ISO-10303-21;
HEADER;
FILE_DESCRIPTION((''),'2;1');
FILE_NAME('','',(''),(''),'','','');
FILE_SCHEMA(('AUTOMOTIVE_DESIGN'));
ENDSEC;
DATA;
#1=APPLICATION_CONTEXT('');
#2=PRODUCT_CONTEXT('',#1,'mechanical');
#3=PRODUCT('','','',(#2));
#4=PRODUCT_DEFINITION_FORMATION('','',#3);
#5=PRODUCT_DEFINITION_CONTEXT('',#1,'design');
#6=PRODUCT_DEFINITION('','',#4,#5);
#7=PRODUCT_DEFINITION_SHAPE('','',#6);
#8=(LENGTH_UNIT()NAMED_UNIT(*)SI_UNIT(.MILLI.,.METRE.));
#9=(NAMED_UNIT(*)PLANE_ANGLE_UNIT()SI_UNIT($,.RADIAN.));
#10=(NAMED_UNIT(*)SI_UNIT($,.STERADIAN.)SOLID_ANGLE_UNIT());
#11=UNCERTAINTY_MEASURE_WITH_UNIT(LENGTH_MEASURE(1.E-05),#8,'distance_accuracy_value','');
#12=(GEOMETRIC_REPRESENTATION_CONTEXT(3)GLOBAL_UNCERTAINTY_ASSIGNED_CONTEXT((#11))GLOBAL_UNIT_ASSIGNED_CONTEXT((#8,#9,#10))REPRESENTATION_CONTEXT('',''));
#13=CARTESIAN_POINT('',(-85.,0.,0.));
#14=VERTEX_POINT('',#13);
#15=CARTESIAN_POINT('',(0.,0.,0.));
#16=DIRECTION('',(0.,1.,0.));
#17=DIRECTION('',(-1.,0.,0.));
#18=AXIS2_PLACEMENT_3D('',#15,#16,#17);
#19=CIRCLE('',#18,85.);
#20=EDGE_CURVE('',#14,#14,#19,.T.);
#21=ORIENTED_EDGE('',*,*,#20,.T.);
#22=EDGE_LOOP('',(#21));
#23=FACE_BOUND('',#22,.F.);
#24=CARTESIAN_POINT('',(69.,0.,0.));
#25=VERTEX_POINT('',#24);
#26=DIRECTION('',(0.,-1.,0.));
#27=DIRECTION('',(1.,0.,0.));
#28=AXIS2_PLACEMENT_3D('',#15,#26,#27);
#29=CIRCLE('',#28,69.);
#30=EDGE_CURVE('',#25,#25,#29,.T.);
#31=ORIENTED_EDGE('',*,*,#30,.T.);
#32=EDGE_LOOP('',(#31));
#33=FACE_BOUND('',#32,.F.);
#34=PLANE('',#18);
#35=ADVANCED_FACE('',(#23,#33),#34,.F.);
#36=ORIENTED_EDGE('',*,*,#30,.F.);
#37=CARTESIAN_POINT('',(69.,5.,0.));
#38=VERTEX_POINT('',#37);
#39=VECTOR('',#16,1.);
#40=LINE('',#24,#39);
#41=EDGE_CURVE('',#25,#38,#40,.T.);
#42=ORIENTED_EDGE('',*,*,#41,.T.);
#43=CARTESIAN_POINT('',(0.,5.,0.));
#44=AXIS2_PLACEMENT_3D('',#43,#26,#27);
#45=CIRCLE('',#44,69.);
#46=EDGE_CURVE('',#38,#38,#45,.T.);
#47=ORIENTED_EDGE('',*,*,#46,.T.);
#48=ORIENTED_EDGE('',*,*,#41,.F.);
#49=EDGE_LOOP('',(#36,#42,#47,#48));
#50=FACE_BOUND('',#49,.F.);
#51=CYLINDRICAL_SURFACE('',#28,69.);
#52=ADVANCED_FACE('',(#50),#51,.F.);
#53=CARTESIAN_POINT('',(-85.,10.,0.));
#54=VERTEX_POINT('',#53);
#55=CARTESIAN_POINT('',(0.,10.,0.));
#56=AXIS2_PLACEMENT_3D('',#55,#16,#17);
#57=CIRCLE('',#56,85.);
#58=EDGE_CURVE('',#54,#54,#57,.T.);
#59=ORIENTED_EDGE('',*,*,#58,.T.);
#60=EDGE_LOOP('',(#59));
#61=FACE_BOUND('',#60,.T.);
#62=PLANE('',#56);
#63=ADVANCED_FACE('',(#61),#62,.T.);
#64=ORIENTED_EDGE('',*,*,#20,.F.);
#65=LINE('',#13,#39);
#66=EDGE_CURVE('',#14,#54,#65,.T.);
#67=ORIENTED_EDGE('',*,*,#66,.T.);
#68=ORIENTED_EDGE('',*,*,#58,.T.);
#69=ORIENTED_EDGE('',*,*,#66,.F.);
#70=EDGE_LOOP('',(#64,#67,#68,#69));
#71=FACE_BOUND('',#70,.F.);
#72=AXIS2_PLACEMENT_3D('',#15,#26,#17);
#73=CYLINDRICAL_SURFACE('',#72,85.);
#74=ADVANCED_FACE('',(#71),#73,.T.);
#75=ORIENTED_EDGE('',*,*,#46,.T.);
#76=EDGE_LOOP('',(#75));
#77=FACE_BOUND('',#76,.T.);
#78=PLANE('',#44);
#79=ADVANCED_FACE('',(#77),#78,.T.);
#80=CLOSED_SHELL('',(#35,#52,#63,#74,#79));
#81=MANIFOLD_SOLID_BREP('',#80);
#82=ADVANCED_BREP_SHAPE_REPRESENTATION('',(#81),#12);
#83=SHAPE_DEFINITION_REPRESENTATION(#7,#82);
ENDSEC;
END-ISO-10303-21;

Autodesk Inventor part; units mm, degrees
ref_plane "YZ Plane" through (0, 0, 0) normal (1, 0, 0) x (0, 1, 0)
ref_plane "XZ Plane" through (0, 0, 0) normal (0, 1, 0) x (-1, 0, 0)
ref_plane "XY Plane" through (0, 0, 0) normal (0, 0, 1) x (1, 0, 0)
sketch "Sketch1" plane through (0, 0, 0) normal (0, 1, 0) x (-1, 0, 0)
  circle A0 centre (0, 0) radius 85
  dimension "d0" = 170
extrude "Extrusion1" add sketch "Sketch1" along normal blind 10
sketch "Sketch2" plane through (0, 0, 0) normal (0, -1, 0) x (1, 0, 0)
  circle A0 centre (0, 0) radius 69
  dimension "d3" = 138
extrude "Extrusion2" cut sketch "Sketch2" against normal blind 5
properties part number "Foot"
